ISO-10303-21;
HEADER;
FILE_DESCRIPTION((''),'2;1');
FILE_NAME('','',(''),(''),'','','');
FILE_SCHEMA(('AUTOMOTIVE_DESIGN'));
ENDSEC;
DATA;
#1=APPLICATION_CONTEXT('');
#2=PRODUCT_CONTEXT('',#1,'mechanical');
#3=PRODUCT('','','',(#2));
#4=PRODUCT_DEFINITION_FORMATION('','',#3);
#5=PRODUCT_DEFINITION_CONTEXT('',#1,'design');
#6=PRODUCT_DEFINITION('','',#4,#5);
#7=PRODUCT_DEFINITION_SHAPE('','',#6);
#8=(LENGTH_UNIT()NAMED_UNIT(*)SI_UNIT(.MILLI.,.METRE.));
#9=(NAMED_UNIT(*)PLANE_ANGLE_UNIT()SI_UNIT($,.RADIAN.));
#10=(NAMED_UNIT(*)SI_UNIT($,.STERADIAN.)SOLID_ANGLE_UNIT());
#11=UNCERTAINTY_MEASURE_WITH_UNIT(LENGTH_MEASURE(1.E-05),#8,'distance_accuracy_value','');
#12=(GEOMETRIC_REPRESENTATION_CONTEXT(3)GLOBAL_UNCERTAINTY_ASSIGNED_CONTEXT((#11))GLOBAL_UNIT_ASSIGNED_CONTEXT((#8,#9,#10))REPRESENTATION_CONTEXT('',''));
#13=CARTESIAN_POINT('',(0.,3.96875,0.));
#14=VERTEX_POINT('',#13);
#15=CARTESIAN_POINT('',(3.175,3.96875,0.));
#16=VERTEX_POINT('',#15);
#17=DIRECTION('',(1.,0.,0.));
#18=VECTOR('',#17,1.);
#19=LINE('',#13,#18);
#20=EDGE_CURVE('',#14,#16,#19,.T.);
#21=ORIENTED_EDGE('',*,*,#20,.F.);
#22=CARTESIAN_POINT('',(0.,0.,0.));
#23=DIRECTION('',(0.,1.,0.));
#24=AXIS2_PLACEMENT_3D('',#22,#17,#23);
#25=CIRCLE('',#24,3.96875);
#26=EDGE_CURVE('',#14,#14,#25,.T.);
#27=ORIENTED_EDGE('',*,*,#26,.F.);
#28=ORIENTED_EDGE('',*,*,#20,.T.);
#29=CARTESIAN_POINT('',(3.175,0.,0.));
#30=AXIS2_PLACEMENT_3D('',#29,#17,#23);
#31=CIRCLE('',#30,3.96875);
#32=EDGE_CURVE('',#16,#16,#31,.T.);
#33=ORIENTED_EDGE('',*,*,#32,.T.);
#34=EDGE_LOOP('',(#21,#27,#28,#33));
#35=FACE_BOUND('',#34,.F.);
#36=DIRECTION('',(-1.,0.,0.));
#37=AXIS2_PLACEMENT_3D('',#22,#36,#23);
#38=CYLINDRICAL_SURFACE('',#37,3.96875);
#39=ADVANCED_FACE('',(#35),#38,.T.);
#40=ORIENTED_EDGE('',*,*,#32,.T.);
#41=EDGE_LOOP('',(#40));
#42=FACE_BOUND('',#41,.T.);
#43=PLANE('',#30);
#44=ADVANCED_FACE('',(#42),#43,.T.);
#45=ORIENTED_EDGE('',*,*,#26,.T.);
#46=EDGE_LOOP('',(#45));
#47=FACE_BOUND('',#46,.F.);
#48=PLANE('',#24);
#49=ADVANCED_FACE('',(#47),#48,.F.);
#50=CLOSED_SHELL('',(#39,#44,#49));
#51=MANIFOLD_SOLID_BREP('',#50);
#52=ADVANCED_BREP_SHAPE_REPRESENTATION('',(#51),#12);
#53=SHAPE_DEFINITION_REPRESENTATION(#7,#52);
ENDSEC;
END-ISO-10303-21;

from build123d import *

# Parameters (mm, degrees)
SKETCH_R  = 3.96875
PAD_DEPTH = 3.175


with BuildPart() as part:
    # Sketch → Pad (new body)
    with BuildSketch(Plane.YZ):
        Circle(SKETCH_R)
    extrude(amount=PAD_DEPTH)


solid = part.part
